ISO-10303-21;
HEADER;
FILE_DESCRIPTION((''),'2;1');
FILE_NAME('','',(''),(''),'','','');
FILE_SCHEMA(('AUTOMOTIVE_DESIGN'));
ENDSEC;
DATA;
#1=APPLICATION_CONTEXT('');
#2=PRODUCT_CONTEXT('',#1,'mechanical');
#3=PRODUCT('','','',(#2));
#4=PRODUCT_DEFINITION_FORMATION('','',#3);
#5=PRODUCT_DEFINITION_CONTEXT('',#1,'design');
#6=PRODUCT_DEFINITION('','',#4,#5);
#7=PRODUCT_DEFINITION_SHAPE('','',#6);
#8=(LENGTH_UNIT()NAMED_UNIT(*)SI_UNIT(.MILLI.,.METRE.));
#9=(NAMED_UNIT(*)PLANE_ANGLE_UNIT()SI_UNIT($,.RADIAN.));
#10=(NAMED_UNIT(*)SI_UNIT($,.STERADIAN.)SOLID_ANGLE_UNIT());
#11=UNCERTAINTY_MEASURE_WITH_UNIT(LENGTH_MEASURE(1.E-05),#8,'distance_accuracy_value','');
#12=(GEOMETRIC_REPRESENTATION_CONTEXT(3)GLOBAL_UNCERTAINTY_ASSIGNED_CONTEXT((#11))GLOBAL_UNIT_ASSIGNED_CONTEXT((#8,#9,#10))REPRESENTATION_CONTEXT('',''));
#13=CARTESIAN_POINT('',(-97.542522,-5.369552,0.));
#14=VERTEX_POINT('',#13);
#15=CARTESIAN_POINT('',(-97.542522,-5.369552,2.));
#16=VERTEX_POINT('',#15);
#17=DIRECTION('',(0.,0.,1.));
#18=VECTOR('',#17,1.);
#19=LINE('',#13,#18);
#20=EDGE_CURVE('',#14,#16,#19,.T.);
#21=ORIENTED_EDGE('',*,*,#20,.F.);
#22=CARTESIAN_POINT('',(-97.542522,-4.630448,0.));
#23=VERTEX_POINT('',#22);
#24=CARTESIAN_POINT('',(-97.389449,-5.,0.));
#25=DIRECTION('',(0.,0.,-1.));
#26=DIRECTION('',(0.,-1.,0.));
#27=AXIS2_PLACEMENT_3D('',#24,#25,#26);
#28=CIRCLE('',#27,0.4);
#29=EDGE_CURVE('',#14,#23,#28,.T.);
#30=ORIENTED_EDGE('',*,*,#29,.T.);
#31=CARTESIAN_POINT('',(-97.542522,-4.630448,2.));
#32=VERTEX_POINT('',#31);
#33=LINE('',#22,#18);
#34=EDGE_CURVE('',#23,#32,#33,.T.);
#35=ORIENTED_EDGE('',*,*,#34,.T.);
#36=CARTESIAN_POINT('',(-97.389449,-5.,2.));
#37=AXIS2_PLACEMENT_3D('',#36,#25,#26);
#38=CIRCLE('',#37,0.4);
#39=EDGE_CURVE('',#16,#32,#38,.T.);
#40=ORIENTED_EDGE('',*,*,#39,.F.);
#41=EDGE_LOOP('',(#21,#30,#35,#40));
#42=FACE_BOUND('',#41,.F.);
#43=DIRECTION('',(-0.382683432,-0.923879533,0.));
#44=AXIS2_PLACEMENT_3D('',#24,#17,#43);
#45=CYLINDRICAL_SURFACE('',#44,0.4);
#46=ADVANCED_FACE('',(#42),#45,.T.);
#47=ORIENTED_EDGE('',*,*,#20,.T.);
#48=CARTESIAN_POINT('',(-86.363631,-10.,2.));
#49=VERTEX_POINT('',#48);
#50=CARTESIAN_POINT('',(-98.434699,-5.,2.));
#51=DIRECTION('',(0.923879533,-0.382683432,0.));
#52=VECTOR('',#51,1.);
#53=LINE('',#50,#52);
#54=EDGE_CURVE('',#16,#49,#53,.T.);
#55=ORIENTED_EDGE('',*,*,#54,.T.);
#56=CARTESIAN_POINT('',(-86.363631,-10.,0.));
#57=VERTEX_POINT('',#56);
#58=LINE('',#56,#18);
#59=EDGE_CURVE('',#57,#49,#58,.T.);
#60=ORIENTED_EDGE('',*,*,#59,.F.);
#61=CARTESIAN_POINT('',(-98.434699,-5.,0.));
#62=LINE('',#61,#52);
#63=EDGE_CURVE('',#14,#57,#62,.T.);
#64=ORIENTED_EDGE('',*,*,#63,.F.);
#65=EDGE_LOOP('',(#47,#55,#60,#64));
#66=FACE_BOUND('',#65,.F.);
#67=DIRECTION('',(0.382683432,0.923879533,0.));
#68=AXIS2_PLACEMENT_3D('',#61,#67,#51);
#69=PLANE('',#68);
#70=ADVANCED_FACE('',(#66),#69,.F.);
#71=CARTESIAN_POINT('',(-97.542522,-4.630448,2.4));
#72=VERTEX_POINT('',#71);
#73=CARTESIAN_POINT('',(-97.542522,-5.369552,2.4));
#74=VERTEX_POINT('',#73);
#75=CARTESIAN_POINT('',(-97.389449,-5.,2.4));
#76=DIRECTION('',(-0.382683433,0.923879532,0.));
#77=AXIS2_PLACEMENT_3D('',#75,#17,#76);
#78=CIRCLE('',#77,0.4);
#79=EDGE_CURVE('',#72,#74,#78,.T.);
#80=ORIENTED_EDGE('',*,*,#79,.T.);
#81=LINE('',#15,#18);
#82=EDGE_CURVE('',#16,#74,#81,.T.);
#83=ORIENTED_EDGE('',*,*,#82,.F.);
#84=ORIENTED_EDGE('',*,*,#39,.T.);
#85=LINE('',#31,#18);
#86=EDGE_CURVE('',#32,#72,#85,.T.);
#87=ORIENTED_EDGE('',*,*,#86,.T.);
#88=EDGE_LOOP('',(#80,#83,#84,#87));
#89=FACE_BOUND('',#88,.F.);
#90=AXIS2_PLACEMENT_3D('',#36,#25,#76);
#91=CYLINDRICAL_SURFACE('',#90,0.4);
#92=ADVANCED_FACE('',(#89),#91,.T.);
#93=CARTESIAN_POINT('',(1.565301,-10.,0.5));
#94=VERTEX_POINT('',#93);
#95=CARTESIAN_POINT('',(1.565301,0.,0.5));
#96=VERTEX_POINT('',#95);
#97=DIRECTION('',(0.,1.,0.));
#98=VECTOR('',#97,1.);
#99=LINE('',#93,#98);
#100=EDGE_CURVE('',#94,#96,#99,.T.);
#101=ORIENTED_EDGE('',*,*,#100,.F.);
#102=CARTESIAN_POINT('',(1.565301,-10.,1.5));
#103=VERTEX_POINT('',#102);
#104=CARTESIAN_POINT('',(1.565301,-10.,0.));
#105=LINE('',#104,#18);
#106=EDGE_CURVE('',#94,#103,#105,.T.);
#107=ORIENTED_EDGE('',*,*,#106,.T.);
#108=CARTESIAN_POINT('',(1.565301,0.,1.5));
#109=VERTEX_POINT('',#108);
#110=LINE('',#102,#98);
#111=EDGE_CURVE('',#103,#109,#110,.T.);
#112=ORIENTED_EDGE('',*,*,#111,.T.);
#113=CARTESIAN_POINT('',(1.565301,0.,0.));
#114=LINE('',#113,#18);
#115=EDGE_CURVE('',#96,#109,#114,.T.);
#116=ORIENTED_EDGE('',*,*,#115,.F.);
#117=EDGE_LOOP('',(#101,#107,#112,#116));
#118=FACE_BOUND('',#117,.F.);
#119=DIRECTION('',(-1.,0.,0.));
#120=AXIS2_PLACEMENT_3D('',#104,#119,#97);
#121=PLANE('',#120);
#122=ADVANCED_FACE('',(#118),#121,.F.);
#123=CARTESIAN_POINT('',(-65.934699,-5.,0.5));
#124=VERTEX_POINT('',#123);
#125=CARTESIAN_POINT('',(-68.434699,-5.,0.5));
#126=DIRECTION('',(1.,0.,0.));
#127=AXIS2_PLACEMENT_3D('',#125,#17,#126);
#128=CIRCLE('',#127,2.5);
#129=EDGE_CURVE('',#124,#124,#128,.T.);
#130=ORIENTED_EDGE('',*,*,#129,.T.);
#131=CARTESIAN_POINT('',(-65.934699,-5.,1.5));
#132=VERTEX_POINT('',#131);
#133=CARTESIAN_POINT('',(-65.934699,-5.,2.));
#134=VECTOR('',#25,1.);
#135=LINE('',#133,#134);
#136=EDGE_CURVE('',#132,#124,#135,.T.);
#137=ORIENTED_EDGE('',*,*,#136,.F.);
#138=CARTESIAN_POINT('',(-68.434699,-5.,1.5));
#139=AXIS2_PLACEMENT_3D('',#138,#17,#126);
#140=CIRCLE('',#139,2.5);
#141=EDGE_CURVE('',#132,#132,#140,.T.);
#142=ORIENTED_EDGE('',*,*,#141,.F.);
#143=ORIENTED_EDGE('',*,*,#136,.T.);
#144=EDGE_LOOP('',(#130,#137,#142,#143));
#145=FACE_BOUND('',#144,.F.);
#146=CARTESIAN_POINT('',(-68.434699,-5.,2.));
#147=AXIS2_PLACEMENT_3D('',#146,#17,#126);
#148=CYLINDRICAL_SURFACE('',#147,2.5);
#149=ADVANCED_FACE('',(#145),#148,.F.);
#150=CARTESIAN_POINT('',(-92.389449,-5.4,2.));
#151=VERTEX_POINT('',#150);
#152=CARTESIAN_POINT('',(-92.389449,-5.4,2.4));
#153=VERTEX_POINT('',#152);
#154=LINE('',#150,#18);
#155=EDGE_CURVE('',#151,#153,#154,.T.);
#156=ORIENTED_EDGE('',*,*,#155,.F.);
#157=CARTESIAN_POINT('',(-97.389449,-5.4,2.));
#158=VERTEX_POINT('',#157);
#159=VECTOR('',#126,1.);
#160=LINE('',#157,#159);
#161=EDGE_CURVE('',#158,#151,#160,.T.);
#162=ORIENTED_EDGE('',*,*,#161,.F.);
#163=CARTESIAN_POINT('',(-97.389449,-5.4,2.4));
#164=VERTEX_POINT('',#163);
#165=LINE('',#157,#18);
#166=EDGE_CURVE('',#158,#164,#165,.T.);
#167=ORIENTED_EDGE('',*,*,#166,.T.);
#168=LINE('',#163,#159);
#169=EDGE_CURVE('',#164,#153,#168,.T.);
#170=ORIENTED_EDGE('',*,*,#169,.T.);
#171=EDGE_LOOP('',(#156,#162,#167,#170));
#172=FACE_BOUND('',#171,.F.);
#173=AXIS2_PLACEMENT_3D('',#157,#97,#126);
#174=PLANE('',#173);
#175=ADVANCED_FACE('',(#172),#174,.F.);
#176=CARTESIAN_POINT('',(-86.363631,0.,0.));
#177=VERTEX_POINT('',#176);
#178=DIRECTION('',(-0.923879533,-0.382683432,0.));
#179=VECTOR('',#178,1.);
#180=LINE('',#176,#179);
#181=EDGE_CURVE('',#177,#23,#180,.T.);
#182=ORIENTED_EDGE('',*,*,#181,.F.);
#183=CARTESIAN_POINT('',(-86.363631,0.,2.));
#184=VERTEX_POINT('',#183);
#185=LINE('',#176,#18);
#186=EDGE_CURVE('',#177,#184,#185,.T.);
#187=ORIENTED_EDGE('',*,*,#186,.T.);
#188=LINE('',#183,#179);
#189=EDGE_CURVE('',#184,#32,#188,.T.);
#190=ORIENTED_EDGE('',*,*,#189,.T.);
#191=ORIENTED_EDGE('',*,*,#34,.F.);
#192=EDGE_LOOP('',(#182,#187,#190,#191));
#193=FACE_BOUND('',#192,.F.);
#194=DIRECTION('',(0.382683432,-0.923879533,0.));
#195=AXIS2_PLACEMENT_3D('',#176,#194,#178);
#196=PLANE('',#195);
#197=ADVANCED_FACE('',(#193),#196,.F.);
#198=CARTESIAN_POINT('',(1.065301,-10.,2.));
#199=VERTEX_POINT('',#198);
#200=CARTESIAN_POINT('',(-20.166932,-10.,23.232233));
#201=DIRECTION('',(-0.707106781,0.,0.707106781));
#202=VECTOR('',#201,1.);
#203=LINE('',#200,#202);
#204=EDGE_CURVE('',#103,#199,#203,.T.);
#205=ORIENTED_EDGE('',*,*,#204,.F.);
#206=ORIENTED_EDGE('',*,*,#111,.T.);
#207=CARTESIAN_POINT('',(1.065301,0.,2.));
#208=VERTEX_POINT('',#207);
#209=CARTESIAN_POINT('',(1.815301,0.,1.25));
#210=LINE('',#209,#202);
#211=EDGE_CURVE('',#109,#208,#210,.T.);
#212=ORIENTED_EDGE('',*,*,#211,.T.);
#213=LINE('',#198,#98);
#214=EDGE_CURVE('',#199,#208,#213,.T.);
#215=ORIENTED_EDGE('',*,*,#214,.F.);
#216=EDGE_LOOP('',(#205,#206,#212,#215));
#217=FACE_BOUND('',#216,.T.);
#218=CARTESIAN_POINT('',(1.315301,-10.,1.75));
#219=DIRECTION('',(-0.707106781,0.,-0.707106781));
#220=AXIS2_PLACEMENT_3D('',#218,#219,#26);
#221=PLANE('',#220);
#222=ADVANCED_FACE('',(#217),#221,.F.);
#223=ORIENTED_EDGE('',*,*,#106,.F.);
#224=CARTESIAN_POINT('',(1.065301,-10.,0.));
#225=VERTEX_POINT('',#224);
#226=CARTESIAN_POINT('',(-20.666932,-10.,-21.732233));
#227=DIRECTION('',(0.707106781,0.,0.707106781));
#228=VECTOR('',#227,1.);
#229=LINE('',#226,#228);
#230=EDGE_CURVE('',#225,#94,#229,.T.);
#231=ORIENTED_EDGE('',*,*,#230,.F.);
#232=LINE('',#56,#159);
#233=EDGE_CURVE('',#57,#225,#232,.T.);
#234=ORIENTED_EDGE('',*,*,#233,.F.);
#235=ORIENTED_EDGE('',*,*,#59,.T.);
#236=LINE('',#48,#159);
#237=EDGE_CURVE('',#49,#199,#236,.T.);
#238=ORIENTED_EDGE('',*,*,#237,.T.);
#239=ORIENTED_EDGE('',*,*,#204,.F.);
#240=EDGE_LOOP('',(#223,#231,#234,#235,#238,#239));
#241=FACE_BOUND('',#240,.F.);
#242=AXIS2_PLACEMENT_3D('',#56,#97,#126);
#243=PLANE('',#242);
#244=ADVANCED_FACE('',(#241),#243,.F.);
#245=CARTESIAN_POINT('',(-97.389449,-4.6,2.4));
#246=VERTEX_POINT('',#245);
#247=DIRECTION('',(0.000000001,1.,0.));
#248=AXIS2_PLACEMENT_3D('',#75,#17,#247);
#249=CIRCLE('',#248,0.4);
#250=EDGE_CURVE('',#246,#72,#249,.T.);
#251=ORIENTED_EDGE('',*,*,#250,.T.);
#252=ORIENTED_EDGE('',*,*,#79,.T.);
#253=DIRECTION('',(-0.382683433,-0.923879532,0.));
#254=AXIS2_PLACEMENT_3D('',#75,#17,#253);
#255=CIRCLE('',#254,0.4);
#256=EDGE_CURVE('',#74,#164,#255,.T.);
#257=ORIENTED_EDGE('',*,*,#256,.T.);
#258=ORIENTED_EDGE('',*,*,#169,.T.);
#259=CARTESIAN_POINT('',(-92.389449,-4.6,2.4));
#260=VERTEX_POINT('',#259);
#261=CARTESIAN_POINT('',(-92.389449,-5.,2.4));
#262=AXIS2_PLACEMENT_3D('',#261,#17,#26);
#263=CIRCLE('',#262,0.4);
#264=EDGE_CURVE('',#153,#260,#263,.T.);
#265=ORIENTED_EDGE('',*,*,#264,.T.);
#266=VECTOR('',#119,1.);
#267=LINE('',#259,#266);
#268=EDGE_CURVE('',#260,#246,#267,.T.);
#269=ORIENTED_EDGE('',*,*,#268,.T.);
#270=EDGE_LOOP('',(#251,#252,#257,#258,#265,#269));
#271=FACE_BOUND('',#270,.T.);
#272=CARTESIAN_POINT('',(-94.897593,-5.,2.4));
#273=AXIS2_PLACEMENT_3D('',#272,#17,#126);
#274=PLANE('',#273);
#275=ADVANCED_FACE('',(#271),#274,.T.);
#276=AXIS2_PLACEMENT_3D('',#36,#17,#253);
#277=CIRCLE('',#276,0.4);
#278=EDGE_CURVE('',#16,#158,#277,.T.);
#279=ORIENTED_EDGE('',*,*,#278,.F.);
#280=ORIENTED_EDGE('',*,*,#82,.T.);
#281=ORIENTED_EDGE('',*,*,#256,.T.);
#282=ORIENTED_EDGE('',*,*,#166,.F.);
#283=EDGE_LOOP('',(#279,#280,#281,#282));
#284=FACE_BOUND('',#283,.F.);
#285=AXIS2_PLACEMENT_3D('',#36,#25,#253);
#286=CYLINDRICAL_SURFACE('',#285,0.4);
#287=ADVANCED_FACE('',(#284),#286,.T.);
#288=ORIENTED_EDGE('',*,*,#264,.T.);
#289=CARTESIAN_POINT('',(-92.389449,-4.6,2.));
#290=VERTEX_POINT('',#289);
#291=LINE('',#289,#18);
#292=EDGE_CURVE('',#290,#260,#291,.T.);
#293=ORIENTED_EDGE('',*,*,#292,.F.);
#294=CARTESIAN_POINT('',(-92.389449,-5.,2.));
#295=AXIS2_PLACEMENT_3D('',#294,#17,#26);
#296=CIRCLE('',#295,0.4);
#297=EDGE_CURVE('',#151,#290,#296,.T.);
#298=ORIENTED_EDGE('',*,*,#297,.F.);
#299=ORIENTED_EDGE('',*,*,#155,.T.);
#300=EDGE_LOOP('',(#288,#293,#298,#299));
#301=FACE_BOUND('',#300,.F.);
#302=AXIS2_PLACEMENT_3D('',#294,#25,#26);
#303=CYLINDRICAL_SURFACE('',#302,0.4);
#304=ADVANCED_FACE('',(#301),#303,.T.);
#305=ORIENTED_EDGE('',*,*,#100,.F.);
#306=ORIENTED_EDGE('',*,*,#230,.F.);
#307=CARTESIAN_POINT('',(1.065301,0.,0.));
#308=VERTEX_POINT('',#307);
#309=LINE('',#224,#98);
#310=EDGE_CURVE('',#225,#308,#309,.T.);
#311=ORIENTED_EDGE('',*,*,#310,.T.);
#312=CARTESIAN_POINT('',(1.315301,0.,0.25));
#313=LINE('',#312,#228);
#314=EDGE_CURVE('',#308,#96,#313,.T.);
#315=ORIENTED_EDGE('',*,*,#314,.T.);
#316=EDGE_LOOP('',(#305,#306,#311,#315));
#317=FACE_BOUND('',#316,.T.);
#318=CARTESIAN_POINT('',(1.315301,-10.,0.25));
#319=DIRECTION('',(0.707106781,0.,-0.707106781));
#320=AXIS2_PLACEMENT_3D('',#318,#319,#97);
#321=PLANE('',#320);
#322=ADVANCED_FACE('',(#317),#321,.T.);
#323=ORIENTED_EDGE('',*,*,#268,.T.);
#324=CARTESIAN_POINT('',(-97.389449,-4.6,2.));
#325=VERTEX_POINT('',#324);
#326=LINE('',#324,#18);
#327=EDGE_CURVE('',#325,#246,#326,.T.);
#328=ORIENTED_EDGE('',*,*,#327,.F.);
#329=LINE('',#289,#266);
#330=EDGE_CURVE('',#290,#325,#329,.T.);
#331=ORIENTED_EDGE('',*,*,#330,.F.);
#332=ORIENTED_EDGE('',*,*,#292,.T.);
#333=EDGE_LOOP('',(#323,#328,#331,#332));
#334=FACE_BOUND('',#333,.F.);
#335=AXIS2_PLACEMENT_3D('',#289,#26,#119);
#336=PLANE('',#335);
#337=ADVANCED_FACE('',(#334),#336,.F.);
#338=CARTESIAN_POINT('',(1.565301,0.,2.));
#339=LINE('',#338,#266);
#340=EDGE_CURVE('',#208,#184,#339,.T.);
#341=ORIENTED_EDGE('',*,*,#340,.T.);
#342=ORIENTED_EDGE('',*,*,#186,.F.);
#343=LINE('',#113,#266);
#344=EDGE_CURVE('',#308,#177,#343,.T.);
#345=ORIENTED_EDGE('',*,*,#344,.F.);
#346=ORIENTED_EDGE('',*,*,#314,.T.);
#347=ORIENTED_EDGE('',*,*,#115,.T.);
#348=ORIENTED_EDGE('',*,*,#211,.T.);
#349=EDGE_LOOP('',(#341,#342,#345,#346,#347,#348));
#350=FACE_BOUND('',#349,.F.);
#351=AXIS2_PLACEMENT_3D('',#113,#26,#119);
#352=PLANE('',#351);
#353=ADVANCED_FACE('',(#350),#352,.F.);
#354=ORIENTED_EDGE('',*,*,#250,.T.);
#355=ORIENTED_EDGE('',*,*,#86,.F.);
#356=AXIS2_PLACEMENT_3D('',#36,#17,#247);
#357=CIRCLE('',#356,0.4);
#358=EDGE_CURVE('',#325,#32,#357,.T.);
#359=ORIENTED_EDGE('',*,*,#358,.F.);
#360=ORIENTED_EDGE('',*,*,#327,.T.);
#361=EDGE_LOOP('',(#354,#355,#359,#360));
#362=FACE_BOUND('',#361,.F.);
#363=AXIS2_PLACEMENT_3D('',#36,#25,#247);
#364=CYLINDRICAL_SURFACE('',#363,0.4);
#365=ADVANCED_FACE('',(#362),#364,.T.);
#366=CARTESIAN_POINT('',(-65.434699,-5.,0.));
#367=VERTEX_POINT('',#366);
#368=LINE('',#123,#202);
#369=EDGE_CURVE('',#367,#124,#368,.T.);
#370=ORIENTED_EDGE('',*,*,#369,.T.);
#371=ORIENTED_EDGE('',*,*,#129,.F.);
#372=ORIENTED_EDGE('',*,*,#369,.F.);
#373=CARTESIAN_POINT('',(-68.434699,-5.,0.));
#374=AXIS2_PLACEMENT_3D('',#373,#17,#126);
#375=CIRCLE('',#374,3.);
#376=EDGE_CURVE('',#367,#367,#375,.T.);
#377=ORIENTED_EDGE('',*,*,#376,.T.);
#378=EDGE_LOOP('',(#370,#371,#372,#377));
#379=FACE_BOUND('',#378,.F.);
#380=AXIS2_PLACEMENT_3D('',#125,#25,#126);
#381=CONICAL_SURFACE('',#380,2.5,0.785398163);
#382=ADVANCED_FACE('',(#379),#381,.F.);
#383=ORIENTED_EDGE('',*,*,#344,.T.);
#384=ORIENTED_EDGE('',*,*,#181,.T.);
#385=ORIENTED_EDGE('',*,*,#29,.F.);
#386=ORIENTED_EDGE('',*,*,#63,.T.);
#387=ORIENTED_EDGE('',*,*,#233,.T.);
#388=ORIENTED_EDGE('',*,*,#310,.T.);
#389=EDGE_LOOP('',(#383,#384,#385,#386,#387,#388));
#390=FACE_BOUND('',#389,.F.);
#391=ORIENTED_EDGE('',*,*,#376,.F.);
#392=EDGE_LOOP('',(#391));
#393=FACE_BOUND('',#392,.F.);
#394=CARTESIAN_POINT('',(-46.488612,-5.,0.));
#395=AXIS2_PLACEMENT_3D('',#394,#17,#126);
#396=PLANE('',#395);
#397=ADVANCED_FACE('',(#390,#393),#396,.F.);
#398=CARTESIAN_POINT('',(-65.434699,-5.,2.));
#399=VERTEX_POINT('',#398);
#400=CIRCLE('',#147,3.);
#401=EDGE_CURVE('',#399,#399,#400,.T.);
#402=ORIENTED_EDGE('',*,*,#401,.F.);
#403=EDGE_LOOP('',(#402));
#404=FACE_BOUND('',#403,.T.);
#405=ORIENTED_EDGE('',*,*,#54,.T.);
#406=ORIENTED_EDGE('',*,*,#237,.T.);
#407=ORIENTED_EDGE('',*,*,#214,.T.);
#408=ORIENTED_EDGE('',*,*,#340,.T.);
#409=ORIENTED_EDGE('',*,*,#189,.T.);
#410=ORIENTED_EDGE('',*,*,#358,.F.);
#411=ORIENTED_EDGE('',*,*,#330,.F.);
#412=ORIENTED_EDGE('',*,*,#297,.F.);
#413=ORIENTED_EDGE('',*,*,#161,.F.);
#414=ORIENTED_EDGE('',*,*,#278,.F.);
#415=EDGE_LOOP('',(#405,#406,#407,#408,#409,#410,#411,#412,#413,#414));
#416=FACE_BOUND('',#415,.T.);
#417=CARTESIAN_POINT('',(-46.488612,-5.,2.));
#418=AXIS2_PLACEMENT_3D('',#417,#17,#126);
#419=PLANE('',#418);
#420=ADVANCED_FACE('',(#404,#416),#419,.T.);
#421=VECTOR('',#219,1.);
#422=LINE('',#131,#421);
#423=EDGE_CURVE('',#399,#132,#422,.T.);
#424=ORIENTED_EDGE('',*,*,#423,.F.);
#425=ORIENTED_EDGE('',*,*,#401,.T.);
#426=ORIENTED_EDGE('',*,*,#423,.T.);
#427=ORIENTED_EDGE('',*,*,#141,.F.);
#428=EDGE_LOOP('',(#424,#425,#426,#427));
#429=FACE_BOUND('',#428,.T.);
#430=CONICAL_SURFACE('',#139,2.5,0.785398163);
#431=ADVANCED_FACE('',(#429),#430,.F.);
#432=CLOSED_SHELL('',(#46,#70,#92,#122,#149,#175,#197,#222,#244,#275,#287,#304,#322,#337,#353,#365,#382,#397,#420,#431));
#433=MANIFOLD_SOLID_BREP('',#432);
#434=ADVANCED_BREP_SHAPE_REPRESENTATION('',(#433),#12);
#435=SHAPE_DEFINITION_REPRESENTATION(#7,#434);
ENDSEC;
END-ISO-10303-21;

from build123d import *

# Parameters (mm, degrees)
F1_DEPTH = 2
F2_R     = 2.5
F3_DEPTH = 25
F4_SIZE  = 0.5
F5_SIZE  = 0.5
F6_R     = 0.4
F8_DEPTH = 0.4


with BuildPart() as f1:
    # F0 (on Top) → F1 (new body)
    with BuildSketch(Plane.XY):
        Polygon((1.5653009757, -10), (1.5653009757, 0), (-86.3636312124, 0), (-98.4346990243, -5), (-86.3636312124, -10), align=None)
    extrude(amount=F1_DEPTH)

    # F2 (on face) → F3 (cut)
    with BuildSketch(Plane.XY.offset(2)):
        with Locations((-68.4346990243, -5)):
            Circle(F2_R)
    extrude(amount=-F3_DEPTH, mode=Mode.SUBTRACT)

    # F4
    f4_edges = [f1.edges().sort_by_distance(p)[0] for p in [
        (-70.934699, -5, 2),
        (-70.934699, -5, 0),
    ]]
    chamfer(f4_edges, length=F4_SIZE)

    # F5
    f5_edges = [f1.edges().sort_by_distance(p)[0] for p in [
        (1.565301, -5, 2),
        (1.565301, -5, 0),
    ]]
    chamfer(f5_edges, length=F5_SIZE)

    # F6
    f6_edges = [f1.edges().sort_by_distance(p)[0] for p in [
        (-98.434699, -5, 1),
    ]]
    fillet(f6_edges, radius=F6_R)

    # F7 (on face) → F8 (join)
    with BuildSketch(Plane.XY.offset(2)):
        with BuildLine():
            ThreePointArc((-97.5425220254, -5.369551813), (-97.4674847812, -5.3923141122), (-97.3894486524, -5.4))
            Line((-97.3894486524, -5.4), (-92.3894486524, -5.4))
            ThreePointArc((-92.3894486524, -5.4), (-91.9894486524, -5), (-92.3894486524, -4.6))
            Line((-92.3894486524, -4.6), (-97.3894486524, -4.6))
            ThreePointArc((-97.3894486524, -4.6), (-97.4674847812, -4.6076858878), (-97.5425220254, -4.630448187))
            ThreePointArc((-97.5425220254, -4.630448187), (-97.7894486524, -5), (-97.5425220254, -5.369551813))
        make_face()
    extrude(amount=F8_DEPTH)


solid = f1.part
